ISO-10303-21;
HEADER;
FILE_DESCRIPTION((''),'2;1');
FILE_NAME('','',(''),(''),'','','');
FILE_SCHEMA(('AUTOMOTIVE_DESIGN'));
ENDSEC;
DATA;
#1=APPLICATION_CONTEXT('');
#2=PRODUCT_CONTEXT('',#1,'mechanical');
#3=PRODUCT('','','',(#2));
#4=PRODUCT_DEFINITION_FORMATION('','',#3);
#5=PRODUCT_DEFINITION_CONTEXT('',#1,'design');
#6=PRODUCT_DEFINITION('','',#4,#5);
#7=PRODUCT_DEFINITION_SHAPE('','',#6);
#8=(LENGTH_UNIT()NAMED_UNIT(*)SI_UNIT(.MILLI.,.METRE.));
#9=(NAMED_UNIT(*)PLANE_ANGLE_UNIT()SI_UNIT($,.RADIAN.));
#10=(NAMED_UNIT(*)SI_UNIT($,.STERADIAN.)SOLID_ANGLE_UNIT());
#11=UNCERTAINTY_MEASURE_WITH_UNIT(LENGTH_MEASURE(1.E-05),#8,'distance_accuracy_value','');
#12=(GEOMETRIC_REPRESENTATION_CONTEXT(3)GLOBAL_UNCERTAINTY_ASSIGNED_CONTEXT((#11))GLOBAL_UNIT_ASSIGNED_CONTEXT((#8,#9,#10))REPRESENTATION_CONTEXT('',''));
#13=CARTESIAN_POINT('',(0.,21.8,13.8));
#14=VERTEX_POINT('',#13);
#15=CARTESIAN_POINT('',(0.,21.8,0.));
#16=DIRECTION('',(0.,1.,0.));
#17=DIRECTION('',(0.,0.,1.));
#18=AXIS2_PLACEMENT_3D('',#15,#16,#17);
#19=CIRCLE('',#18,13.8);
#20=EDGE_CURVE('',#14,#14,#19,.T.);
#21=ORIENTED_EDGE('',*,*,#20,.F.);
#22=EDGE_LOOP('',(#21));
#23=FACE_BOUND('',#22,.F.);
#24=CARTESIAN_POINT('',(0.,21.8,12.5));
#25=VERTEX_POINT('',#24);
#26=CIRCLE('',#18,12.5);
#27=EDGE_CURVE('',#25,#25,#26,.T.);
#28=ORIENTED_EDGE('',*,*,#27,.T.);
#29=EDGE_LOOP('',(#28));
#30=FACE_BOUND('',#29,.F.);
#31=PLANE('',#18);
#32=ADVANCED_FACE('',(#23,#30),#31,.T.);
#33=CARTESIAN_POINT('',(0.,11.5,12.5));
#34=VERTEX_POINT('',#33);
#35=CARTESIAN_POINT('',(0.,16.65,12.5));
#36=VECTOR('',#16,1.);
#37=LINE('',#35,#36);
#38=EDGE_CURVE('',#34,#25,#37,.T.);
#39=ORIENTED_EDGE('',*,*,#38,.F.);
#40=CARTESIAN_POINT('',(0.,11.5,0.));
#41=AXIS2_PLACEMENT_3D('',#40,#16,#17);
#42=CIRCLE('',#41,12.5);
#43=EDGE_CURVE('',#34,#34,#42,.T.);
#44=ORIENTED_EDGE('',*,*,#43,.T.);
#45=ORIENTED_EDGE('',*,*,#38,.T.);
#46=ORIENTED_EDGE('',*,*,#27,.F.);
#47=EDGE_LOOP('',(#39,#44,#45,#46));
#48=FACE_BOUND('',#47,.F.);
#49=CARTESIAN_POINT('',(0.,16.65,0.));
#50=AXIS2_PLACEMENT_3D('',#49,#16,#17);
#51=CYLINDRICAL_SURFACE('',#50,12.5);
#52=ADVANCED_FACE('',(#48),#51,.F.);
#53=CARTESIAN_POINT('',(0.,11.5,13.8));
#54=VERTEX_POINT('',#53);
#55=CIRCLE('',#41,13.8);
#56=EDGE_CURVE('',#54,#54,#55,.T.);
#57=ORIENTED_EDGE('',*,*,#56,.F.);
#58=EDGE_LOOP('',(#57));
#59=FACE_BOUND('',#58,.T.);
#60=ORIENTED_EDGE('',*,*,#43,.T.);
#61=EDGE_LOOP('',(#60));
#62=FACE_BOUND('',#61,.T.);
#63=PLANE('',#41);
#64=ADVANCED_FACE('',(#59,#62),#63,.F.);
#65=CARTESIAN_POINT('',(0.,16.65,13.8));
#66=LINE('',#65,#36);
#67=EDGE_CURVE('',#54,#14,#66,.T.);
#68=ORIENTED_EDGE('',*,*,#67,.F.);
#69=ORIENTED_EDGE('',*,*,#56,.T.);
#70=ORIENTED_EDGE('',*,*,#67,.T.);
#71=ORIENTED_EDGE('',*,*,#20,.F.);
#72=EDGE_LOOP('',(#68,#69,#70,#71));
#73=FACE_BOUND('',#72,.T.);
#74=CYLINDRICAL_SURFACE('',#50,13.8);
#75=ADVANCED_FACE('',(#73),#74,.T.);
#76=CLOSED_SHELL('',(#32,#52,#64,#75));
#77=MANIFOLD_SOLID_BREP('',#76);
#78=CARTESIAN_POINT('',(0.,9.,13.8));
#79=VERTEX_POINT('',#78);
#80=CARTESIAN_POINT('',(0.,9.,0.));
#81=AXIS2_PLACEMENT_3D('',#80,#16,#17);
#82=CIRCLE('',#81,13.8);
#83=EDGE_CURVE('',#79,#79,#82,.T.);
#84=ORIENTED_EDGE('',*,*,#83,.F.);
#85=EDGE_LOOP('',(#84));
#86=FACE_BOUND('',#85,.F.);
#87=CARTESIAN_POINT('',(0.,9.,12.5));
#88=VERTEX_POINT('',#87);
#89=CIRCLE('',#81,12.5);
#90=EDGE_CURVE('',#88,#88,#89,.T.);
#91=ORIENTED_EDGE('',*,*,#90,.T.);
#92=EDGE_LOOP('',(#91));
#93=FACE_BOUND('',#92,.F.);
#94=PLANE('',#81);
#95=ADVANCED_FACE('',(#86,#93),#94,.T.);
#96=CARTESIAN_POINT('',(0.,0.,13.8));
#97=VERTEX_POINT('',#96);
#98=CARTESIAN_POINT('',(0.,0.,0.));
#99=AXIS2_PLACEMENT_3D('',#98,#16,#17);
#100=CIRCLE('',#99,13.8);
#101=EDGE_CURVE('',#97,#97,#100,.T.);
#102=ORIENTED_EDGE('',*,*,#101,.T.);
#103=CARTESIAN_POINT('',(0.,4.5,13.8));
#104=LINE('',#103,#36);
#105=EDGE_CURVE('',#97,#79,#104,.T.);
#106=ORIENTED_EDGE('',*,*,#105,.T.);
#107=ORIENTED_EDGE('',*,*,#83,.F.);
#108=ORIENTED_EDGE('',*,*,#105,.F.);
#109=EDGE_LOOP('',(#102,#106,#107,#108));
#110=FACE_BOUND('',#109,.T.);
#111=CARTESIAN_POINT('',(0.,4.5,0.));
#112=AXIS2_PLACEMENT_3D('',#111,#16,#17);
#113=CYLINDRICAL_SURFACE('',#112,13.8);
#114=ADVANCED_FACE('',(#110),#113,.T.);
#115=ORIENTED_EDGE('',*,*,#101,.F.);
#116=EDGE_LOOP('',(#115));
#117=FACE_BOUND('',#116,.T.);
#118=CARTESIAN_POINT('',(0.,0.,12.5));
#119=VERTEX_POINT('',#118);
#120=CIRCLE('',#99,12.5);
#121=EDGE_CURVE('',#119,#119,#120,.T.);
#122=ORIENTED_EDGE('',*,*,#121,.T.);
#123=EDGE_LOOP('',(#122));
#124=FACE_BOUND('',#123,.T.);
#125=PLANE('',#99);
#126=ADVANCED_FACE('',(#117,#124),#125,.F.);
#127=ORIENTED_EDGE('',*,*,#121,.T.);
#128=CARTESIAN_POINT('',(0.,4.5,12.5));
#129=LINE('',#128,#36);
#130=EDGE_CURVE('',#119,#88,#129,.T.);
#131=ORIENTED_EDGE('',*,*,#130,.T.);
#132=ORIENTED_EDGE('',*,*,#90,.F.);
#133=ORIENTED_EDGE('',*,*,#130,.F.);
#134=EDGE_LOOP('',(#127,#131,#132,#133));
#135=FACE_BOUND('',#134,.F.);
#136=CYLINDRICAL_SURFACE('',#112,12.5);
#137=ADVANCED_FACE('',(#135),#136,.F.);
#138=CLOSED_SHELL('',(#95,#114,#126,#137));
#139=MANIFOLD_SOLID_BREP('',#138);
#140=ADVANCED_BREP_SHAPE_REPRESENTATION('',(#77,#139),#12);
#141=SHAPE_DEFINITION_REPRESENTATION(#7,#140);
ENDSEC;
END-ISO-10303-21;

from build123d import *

# Parameters (mm, degrees)
F0_W   = 9
F0_H   = 1.3
F0_W_2 = 10.3


with BuildPart() as f1:
    # F0 (on Right) → F1 (revolve)
    with BuildSketch(Plane.YZ):
        with Locations((4.5, 13.15)):
            Rectangle(F0_W, F0_H)
        with Locations((16.65, 13.15)):
            Rectangle(F0_W_2, F0_H)
    revolve(axis=Axis((0, 10.9, 0), (0, 1, 0)))


solid = f1.part
